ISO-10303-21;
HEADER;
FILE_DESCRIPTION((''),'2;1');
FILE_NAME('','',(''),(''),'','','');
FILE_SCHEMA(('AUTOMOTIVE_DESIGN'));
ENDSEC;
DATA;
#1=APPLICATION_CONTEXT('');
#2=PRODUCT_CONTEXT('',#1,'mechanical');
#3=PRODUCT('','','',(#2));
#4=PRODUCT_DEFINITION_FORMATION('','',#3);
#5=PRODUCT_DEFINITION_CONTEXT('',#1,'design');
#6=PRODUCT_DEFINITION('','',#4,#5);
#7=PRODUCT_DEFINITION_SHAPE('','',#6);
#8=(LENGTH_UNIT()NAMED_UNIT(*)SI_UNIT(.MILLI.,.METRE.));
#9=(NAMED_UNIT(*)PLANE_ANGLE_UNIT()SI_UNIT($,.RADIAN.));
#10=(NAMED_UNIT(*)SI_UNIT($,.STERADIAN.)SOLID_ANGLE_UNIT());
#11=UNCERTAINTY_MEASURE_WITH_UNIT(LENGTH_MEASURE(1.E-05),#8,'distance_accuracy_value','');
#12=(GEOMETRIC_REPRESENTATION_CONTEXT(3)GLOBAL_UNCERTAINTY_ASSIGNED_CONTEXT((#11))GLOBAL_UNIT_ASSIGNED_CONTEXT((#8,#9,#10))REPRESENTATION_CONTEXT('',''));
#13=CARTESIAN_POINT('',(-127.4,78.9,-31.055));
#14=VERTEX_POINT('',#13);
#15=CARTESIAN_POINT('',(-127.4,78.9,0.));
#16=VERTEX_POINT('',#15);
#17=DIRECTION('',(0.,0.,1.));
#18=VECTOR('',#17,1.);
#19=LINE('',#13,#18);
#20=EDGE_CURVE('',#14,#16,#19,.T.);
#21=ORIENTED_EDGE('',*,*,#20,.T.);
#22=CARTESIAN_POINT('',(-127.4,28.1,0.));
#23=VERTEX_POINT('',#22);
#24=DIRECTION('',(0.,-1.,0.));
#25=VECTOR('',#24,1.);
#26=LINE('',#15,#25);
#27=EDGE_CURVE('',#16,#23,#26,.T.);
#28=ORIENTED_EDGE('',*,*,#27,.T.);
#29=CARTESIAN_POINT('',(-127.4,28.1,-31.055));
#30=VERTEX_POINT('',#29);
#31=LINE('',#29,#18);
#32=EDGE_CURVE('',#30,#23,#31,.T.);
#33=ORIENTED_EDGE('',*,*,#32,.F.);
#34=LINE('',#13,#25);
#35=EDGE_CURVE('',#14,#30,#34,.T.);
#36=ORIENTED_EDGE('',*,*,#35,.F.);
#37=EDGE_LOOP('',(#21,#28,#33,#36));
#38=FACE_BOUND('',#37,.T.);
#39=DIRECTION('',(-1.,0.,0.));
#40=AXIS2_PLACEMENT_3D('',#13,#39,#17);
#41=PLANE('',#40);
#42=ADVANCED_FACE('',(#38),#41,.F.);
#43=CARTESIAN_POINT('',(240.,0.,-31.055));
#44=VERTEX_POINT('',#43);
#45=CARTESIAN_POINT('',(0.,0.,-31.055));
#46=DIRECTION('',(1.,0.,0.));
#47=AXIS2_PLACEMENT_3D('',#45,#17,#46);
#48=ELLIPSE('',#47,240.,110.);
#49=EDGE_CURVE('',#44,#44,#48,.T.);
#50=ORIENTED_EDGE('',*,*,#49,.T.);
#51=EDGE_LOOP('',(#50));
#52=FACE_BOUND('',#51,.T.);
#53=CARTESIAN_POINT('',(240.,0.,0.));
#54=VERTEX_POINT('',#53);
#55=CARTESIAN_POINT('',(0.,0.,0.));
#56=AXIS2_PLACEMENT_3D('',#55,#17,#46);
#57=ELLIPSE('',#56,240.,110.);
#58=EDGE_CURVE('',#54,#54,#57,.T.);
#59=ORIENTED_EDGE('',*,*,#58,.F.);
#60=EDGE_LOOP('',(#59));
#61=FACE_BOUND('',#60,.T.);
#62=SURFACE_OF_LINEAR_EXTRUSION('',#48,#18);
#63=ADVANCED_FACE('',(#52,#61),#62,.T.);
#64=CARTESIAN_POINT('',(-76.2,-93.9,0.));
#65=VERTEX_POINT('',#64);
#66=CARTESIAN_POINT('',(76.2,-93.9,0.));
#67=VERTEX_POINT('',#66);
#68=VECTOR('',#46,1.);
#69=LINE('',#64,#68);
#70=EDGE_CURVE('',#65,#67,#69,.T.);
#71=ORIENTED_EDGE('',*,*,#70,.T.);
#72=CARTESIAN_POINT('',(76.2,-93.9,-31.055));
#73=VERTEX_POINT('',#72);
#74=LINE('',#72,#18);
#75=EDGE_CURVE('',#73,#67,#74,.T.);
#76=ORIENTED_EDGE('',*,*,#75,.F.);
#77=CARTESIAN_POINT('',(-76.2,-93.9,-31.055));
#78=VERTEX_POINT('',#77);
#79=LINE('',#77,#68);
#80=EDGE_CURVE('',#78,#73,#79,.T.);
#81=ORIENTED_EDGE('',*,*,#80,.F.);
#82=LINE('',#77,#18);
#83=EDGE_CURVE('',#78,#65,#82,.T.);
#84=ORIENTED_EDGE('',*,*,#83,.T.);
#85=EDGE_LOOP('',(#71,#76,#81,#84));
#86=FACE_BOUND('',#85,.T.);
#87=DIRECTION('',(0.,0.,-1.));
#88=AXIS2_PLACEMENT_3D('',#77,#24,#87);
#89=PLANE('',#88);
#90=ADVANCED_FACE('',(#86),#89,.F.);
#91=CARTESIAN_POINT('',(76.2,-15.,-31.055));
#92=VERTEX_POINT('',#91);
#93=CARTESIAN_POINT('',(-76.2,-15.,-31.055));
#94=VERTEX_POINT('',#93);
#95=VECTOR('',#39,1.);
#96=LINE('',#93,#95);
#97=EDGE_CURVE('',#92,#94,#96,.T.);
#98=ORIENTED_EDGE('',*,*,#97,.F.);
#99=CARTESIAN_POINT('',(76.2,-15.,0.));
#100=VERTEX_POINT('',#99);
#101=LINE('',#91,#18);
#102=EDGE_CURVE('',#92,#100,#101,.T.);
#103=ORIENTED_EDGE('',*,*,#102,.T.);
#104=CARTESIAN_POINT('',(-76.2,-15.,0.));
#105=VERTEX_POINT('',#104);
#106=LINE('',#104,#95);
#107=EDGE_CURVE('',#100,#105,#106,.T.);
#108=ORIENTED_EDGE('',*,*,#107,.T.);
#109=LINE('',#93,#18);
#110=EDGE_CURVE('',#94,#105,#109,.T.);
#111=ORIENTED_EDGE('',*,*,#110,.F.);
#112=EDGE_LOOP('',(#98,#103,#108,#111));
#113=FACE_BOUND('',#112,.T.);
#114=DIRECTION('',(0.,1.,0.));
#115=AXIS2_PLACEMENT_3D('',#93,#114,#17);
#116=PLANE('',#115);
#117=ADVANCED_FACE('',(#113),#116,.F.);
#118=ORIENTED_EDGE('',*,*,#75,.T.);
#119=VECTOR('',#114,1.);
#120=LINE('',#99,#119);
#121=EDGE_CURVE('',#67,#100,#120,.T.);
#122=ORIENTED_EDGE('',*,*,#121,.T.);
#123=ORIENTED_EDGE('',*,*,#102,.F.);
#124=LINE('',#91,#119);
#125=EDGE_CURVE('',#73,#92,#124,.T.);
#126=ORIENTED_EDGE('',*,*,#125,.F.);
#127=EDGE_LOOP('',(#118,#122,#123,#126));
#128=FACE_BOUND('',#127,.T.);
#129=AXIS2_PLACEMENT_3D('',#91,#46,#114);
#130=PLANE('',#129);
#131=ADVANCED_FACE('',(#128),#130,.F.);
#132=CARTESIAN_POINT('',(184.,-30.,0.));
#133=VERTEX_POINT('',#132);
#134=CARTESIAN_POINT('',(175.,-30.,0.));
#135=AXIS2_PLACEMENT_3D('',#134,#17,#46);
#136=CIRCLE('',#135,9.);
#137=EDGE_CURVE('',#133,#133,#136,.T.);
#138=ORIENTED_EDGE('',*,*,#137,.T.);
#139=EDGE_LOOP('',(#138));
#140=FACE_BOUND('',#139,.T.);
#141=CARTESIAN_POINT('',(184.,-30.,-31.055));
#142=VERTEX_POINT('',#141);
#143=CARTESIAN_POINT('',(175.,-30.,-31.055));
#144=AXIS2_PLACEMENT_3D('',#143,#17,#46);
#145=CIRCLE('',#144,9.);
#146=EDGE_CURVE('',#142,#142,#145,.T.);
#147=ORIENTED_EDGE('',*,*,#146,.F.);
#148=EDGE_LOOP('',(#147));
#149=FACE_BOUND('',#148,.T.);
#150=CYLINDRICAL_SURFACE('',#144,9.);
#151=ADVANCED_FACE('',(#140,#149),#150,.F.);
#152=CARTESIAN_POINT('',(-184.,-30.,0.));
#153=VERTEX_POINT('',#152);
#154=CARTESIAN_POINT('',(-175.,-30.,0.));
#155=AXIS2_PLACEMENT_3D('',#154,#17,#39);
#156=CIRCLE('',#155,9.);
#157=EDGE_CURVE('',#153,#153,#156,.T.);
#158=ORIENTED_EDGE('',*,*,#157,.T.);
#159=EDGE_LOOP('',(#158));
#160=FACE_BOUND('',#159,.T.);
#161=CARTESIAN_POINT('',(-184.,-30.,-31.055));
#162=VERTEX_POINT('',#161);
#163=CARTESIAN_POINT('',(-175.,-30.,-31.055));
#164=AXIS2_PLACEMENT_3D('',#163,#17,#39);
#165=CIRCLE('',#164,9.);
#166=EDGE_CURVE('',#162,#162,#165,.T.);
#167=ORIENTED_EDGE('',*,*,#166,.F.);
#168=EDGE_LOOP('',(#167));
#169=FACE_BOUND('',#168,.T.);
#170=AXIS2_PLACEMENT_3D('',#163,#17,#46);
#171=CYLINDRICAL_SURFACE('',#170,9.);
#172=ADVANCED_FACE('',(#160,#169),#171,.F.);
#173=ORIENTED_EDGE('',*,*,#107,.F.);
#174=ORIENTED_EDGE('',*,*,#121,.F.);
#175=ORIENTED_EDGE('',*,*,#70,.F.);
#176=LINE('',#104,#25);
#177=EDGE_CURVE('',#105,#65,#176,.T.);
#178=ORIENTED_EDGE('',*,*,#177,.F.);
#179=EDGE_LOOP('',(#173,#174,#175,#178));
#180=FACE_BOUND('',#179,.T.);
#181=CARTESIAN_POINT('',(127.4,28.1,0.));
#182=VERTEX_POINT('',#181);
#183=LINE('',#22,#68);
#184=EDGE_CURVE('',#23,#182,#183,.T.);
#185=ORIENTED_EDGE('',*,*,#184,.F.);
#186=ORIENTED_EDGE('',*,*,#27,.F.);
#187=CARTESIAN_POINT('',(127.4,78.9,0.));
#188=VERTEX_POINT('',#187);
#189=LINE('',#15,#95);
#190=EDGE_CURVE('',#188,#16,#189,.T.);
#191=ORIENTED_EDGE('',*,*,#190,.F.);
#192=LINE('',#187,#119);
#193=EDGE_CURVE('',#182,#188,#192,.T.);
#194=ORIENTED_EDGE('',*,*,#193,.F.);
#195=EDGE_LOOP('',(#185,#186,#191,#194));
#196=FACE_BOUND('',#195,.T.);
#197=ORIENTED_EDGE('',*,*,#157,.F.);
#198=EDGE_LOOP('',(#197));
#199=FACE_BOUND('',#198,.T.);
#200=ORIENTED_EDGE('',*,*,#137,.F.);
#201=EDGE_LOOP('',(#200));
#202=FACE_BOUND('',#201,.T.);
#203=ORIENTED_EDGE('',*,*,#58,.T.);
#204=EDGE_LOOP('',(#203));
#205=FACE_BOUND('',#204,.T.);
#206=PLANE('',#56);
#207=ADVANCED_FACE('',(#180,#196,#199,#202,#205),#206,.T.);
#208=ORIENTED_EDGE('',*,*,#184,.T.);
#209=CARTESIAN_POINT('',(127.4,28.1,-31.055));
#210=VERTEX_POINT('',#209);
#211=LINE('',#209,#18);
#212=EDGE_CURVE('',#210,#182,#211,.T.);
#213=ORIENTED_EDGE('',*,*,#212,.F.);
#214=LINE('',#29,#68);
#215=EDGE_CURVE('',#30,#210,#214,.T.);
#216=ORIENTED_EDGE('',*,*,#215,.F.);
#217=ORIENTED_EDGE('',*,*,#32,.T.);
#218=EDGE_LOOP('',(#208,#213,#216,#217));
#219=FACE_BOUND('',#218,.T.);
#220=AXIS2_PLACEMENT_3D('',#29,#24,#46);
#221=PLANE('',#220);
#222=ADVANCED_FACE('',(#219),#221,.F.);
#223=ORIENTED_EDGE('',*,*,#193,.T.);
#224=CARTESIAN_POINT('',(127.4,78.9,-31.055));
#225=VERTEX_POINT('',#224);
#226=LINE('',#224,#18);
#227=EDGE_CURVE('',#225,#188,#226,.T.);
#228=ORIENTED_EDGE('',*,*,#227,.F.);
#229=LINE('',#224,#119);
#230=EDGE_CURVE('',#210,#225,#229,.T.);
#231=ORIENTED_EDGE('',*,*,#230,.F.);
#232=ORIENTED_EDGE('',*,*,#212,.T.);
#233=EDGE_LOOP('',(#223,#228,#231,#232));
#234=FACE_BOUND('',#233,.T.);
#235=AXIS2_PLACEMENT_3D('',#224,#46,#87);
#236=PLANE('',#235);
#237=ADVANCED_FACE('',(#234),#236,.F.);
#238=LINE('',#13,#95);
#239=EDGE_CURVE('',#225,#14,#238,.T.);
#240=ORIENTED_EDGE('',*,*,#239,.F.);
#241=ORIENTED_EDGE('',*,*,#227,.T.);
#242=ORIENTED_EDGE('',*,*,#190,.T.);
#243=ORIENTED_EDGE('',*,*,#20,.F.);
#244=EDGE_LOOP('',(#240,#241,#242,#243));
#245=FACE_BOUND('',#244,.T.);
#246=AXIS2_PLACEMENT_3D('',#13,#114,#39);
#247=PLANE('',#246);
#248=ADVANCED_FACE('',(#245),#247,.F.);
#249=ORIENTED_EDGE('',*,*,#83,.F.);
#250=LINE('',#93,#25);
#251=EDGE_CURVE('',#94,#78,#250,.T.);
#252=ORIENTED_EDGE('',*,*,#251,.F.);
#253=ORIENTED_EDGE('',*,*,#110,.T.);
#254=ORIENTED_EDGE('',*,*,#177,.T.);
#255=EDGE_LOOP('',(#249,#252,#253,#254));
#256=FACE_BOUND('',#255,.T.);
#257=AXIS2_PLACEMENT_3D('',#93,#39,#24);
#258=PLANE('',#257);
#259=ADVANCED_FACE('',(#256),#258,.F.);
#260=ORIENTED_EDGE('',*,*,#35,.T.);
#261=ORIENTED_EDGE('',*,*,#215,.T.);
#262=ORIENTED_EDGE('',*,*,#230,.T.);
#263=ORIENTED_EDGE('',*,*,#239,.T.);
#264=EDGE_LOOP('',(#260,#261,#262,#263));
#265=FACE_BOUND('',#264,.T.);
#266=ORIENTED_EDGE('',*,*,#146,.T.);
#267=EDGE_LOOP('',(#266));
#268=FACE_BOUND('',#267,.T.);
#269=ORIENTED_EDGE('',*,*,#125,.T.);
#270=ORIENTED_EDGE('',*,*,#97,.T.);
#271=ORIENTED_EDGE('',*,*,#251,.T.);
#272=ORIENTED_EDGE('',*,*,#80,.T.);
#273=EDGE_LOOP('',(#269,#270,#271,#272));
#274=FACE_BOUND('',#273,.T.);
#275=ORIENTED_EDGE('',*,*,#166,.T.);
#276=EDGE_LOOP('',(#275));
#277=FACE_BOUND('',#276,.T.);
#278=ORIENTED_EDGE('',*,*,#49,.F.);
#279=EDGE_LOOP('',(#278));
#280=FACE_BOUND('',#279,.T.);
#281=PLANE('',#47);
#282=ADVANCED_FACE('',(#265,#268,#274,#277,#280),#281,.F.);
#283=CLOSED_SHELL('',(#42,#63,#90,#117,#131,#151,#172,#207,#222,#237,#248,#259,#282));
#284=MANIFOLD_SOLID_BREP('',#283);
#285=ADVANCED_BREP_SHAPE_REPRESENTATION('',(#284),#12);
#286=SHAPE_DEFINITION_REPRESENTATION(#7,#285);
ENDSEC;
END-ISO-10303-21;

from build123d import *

# Parameters (mm, degrees)
SKETCH1_RX          = 240
SKETCH1_RY          = 110
BOSS_EXTRUDE1_DEPTH = 31.055
SKETCH10_W          = 254.8
SKETCH10_H          = 50.8
CUT_EXTRUDE5_DEPTH  = 266.827788286
SKETCH13_W          = 152.4
SKETCH13_H          = 78.9
CUT_EXTRUDE7_DEPTH  = 266.827788286
SKETCH12_R          = 9
CUT_EXTRUDE8_DEPTH  = 266.827788286


with BuildPart() as part:
    # Sketch1 → Boss-Extrude1 (new body)
    with BuildSketch(Plane.XY):
        with Locations((0, 0)):
            Ellipse(SKETCH1_RX, SKETCH1_RY)
    extrude(amount=-BOSS_EXTRUDE1_DEPTH)

    # Sketch10 → Cut-Extrude5 (cut, through all)
    with BuildSketch(Plane.XY):
        with Locations((0, 53.5)):
            Rectangle(SKETCH10_W, SKETCH10_H)
    extrude(amount=-CUT_EXTRUDE5_DEPTH, mode=Mode.SUBTRACT)

    # Sketch13 → Cut-Extrude7 (cut, through all)
    with BuildSketch(Plane.XY):
        with Locations((0, -54.45)):
            Rectangle(SKETCH13_W, SKETCH13_H)
    extrude(amount=-CUT_EXTRUDE7_DEPTH, mode=Mode.SUBTRACT)

    # Sketch12 → Cut-Extrude8 (cut, through all)
    with BuildSketch(Plane.XY):
        with Locations((175, -30)):
            Circle(SKETCH12_R)
        with Locations(Location((-175, -30, 0), (0, 0, 180))):
            Circle(SKETCH12_R)
    extrude(amount=-CUT_EXTRUDE8_DEPTH, mode=Mode.SUBTRACT)


solid = part.part
